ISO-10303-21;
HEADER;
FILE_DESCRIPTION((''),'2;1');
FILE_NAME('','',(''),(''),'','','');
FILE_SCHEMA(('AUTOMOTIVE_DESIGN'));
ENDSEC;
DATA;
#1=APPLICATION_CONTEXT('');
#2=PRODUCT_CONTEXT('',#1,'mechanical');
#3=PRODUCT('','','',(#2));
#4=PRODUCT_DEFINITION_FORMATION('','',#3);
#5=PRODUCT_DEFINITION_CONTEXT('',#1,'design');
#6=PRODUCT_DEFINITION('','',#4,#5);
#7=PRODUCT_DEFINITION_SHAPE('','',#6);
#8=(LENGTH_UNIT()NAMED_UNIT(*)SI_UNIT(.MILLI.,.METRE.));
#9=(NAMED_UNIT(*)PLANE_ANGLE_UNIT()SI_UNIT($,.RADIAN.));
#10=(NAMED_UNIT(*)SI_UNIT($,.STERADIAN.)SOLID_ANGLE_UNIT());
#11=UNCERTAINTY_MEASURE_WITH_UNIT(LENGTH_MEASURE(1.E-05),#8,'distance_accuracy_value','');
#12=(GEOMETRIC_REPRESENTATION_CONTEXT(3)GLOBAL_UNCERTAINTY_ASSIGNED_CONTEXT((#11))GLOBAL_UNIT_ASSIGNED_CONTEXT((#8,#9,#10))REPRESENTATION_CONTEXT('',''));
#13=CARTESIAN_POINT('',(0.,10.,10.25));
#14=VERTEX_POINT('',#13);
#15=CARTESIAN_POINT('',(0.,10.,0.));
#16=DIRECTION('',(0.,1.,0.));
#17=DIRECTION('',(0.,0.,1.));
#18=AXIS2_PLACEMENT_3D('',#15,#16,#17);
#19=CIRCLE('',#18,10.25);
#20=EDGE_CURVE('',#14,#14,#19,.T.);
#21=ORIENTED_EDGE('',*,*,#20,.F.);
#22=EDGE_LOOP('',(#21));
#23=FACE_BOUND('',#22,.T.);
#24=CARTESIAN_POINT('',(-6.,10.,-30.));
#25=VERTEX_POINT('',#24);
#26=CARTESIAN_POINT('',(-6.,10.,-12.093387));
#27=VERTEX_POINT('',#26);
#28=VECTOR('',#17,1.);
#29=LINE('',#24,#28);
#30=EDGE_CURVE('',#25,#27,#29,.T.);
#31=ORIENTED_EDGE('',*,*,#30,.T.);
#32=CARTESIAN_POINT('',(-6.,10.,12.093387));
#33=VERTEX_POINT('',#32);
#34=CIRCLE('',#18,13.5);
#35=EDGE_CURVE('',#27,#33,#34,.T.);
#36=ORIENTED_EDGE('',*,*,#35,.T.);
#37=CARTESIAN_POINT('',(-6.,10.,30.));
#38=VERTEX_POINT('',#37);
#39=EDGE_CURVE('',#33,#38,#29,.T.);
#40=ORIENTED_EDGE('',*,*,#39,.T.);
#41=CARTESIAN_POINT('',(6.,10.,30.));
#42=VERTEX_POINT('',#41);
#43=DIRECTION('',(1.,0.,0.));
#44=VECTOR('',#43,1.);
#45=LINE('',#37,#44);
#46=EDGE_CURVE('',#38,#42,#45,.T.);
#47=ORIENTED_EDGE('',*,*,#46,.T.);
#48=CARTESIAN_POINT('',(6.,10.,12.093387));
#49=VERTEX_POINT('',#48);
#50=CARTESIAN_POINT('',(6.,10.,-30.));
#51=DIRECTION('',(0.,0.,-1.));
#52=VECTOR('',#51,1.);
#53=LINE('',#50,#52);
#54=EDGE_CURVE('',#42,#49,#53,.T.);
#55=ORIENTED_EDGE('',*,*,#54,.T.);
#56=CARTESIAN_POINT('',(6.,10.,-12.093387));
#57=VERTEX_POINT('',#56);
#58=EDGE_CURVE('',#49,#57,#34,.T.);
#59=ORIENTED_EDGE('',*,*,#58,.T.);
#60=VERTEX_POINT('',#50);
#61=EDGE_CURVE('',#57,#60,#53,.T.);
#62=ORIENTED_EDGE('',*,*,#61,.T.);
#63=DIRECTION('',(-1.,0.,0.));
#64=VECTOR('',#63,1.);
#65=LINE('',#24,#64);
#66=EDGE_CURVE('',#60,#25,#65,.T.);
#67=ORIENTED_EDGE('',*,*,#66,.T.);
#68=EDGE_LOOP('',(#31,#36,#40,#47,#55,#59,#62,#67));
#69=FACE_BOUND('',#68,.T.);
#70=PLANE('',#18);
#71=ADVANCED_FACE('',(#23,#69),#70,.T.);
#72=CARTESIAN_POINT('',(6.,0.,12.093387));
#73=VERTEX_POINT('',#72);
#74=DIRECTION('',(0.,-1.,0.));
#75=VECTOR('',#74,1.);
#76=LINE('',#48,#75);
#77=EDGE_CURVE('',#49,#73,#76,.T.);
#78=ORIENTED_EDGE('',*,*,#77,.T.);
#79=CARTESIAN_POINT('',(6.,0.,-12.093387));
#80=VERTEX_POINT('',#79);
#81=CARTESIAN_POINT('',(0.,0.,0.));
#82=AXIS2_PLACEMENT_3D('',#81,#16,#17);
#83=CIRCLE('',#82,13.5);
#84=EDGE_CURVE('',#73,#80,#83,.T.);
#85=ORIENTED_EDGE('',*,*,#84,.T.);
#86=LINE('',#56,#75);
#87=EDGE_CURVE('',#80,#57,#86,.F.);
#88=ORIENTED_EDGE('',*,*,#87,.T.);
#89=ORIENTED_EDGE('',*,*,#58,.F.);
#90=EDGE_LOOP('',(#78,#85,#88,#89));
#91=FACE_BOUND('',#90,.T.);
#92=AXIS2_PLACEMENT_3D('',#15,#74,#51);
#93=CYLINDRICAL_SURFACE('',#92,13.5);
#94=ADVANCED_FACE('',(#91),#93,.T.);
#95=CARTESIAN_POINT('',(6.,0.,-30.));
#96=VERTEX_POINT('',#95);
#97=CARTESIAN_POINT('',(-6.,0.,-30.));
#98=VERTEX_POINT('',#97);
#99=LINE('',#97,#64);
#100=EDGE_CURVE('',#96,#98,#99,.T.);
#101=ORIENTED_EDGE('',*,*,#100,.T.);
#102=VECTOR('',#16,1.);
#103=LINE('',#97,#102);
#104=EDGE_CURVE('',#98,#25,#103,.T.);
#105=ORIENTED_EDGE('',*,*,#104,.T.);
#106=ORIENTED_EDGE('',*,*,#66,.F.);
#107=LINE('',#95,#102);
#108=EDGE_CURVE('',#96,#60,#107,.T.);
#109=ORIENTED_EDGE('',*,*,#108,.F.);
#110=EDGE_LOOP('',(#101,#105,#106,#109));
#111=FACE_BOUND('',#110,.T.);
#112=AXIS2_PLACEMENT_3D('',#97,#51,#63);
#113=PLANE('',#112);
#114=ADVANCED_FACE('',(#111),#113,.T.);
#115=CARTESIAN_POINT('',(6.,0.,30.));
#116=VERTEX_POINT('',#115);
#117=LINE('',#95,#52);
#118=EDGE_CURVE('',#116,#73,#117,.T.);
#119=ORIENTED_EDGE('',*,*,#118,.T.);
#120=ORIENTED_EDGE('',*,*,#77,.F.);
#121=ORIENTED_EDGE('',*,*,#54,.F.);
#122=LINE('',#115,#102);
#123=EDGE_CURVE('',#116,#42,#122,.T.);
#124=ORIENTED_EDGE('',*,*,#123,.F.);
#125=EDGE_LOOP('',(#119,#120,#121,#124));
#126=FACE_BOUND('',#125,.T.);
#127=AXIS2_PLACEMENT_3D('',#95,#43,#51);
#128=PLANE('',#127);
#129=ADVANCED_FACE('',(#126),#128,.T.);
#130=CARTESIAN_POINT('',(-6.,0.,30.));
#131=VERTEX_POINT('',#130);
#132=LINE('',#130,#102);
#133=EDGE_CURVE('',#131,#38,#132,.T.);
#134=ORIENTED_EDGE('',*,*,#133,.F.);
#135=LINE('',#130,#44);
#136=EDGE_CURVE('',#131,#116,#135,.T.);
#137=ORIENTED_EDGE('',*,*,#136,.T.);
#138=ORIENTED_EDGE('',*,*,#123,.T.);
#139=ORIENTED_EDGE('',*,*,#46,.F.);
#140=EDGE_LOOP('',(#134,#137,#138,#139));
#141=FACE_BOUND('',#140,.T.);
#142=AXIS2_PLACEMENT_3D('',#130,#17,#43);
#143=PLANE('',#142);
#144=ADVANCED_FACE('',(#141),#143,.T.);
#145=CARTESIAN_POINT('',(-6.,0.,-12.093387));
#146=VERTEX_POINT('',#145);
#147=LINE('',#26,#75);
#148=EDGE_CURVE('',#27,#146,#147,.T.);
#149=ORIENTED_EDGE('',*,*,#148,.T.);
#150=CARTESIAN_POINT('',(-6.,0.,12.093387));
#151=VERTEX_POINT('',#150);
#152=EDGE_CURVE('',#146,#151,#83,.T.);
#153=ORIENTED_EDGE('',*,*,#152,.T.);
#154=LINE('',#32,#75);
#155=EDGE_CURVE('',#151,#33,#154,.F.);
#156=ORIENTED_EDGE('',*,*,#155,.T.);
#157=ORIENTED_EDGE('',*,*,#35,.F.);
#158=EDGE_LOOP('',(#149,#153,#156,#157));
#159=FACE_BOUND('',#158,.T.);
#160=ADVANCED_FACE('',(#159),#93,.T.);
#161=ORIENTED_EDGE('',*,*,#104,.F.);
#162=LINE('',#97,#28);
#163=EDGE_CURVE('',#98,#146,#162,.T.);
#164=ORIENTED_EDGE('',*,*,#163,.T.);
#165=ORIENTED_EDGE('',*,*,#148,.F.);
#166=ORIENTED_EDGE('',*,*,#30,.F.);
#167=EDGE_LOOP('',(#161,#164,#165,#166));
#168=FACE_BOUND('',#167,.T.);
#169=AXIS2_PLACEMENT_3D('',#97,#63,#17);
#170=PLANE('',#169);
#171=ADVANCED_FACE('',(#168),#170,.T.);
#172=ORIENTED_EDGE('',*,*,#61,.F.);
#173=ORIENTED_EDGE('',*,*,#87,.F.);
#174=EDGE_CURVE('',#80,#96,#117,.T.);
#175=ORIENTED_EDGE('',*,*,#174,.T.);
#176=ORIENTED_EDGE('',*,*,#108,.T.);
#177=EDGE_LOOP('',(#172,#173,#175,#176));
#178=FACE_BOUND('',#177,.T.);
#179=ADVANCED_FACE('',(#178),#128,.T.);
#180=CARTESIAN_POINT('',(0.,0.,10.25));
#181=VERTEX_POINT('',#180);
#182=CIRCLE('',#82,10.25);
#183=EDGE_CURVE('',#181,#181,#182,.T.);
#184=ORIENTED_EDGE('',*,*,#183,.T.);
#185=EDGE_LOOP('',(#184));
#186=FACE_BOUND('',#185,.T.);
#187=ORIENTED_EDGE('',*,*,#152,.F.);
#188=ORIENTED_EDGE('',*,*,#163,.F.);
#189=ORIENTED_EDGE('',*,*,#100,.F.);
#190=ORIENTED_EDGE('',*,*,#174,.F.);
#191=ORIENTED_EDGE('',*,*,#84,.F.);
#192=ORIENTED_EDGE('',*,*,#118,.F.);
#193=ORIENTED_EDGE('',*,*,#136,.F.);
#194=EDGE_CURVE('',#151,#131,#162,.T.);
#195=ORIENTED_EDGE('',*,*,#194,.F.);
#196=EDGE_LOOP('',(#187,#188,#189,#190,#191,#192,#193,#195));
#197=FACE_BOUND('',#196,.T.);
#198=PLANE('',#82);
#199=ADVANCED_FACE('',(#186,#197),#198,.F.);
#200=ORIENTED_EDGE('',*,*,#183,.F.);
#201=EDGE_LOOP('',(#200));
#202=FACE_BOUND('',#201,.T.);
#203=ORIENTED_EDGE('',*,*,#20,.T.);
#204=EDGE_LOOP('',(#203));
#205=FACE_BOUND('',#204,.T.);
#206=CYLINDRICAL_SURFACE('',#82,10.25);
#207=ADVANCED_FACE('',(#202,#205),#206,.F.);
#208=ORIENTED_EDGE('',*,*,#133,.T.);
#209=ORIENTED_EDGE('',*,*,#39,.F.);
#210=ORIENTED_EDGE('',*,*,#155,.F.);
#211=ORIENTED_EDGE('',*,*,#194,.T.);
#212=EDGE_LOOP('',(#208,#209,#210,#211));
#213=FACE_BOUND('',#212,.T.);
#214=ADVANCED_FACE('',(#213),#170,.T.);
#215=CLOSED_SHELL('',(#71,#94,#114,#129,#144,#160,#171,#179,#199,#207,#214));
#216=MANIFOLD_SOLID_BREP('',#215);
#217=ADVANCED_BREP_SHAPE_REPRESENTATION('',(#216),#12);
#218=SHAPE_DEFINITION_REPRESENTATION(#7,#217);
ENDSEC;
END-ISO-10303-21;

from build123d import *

# Parameters (mm, degrees)
SKETCH_1_R          = 13.5
EXTRUDE_1_DEPTH     = 10
SKETCH_2_W          = 12
SKETCH_2_H          = 60
EXTRUDE_2_DEPTH     = 10
SKETCH_3_R          = 10.25
CUT_EXTRUDE_1_DEPTH = 10


with BuildPart() as part:
    # 草图1 → 凸台-拉伸1 (new body)
    with BuildSketch(Plane(origin=(0, 0, 0), x_dir=(1, 0, 0), z_dir=(0, 1, 0))):
        with Locations(Location((0, 0, 0), (0, 0, 270))):
            Circle(SKETCH_1_R)
    extrude(amount=EXTRUDE_1_DEPTH)

    # 草图2 → 凸台-拉伸2 (add)
    with BuildSketch(Plane(origin=(0, 10, 0), x_dir=(1, 0, 0), z_dir=(0, 1, 0))):
        Rectangle(SKETCH_2_W, SKETCH_2_H)
    extrude(amount=-EXTRUDE_2_DEPTH)

    # 草图3 → 切除-拉伸1 (cut)
    with BuildSketch(Plane(origin=(0, 10, 0), x_dir=(1, 0, 0), z_dir=(0, 1, 0))):
        with Locations(Location((0, 0, 0), (0, 0, 270))):
            Circle(SKETCH_3_R)
    extrude(amount=-CUT_EXTRUDE_1_DEPTH, mode=Mode.SUBTRACT)


solid = part.part
